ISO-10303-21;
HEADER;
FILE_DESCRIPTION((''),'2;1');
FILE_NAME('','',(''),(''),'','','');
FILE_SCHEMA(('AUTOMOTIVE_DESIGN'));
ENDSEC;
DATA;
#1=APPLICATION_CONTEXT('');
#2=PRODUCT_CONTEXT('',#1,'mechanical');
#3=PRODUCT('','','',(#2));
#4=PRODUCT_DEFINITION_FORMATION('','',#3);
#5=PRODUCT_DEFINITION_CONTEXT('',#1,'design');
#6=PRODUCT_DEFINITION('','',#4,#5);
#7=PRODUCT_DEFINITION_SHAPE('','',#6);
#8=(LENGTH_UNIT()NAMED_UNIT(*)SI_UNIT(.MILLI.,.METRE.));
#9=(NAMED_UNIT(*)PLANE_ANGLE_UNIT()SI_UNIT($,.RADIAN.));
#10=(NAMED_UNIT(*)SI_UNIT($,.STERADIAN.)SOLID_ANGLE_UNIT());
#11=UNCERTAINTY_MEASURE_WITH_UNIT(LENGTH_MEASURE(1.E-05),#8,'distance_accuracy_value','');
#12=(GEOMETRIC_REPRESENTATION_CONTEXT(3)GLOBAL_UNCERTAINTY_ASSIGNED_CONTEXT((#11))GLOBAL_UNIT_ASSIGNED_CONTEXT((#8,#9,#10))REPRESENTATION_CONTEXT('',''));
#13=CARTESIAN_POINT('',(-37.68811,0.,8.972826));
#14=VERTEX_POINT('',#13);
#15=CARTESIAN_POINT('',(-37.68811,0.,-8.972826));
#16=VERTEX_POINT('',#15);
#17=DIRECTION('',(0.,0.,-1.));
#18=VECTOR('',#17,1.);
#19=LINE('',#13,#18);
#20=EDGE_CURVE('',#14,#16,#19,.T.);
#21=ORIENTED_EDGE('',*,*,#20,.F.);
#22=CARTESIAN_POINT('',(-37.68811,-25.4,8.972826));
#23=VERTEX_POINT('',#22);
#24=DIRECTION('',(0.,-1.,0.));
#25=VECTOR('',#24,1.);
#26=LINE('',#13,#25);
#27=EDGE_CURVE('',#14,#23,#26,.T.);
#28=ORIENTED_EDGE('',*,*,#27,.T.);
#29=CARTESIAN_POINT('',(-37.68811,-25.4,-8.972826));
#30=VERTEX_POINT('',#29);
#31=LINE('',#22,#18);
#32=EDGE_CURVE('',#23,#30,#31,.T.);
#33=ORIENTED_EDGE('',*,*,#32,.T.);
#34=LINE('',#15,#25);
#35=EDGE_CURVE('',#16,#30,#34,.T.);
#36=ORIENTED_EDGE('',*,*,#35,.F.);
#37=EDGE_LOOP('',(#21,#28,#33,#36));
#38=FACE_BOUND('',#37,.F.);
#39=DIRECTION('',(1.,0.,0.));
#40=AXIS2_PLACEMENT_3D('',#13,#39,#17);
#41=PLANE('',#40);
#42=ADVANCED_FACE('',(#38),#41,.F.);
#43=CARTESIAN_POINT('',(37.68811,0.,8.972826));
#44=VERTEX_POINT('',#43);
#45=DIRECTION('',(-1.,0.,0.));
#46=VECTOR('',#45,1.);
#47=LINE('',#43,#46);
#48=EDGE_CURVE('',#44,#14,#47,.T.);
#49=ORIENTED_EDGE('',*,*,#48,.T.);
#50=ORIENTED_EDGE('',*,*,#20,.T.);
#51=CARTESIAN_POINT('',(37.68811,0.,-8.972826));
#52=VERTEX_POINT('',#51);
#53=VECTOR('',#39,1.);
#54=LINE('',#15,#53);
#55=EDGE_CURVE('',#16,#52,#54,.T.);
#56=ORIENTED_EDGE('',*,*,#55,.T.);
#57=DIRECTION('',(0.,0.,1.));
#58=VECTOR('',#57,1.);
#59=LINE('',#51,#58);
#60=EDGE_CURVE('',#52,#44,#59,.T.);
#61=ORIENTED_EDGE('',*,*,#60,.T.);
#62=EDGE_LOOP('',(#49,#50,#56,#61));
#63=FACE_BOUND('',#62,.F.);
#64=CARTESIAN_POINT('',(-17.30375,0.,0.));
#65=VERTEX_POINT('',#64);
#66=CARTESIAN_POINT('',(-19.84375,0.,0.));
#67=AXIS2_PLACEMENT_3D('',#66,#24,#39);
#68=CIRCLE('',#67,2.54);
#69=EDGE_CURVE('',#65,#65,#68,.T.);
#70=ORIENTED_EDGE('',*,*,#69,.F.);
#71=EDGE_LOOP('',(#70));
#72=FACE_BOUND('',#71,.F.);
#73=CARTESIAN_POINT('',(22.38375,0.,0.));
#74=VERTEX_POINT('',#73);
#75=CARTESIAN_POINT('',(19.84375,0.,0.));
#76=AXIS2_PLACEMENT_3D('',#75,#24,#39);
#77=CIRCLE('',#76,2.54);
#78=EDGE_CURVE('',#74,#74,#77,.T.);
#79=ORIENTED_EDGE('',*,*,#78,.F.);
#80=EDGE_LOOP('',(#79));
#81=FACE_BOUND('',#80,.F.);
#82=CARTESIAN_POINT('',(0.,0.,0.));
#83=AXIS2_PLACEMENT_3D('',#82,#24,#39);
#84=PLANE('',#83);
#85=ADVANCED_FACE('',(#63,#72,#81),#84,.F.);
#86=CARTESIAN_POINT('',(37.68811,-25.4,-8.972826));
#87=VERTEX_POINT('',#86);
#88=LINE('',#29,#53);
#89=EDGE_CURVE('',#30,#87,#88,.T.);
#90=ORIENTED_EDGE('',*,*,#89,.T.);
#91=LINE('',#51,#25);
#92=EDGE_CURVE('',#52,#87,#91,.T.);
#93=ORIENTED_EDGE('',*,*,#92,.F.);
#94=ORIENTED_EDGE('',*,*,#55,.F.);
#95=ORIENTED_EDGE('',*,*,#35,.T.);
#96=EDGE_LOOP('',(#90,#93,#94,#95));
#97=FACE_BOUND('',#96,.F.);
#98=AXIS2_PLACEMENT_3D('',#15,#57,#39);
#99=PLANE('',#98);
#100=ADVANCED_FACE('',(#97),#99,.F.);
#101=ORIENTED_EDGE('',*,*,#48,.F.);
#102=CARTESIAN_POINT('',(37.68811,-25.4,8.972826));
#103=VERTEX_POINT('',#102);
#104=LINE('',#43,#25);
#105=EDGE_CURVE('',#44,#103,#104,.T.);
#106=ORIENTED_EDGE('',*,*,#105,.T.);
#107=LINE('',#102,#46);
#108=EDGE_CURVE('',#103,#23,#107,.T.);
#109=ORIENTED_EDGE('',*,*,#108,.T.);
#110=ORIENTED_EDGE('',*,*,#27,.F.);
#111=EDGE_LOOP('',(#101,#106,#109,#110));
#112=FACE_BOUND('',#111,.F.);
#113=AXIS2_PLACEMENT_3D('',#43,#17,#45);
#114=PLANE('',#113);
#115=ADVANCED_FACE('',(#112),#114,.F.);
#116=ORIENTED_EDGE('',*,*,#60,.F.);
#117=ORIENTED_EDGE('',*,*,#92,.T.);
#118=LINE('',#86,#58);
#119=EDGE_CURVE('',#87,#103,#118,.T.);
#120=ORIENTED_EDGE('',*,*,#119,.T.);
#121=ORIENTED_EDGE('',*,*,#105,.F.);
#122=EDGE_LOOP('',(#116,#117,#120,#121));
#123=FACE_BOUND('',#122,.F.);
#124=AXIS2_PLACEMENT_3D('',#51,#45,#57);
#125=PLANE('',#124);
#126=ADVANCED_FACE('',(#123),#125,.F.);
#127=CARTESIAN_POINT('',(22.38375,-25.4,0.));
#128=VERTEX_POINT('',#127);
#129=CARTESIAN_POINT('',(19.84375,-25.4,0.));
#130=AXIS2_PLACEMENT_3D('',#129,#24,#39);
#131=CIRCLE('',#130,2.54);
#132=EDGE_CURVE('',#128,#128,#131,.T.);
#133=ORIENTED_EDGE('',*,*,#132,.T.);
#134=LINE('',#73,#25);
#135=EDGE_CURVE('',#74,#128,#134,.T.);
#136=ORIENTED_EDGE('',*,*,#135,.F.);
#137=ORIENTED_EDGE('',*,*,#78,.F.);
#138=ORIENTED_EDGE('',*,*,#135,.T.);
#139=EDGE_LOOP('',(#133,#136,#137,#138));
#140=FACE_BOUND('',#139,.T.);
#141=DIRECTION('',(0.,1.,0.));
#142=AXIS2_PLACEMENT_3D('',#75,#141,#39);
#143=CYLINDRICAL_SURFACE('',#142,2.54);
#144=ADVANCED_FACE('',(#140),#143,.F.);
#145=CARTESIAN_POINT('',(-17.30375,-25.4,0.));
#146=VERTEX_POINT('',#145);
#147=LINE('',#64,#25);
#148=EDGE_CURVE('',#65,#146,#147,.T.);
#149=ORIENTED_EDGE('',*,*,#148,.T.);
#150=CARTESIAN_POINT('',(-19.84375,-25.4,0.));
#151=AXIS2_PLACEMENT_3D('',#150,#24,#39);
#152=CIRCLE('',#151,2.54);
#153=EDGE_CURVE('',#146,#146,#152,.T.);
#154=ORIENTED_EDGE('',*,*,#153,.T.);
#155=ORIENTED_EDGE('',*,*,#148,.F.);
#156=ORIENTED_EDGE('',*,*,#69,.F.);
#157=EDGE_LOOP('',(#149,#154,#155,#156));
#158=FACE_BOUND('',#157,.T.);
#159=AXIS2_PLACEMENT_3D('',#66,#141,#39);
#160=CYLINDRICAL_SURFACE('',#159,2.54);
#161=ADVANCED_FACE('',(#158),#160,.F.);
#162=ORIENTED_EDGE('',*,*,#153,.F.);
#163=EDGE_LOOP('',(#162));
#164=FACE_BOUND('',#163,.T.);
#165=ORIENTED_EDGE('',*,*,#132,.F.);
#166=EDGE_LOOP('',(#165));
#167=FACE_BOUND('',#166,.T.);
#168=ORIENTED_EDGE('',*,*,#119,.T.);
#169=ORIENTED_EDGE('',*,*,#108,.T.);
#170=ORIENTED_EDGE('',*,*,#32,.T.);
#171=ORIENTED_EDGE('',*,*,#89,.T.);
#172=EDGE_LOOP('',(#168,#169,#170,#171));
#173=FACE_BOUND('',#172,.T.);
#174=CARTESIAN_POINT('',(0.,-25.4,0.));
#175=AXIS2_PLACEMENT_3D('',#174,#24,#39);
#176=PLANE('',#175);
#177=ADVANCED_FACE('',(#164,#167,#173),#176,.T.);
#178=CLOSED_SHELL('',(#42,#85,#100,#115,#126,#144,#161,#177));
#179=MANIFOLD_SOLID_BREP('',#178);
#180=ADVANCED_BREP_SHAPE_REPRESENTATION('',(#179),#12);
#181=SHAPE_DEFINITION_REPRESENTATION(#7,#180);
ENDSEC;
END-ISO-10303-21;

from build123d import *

# Parameters (mm, degrees)
F0_R     = 2.54
F1_DEPTH = 25.4


with BuildPart() as f1:
    # F0 (on Front) → F1 (new body)
    with BuildSketch(Plane.XZ):
        Polygon((19.84375, 8.972826), (-19.84375, 8.972826), (-37.68811, 8.972826), (-37.68811, -8.972826), (-19.84375, -8.972826), (19.84375, -8.972826), (37.68811, -8.972826), (37.68811, 8.972826), align=None)
        with Locations((-19.84375, 0)):
            Circle(F0_R, mode=Mode.SUBTRACT)
        with Locations((19.84375, 0)):
            Circle(F0_R, mode=Mode.SUBTRACT)
    extrude(amount=F1_DEPTH)


solid = f1.part
